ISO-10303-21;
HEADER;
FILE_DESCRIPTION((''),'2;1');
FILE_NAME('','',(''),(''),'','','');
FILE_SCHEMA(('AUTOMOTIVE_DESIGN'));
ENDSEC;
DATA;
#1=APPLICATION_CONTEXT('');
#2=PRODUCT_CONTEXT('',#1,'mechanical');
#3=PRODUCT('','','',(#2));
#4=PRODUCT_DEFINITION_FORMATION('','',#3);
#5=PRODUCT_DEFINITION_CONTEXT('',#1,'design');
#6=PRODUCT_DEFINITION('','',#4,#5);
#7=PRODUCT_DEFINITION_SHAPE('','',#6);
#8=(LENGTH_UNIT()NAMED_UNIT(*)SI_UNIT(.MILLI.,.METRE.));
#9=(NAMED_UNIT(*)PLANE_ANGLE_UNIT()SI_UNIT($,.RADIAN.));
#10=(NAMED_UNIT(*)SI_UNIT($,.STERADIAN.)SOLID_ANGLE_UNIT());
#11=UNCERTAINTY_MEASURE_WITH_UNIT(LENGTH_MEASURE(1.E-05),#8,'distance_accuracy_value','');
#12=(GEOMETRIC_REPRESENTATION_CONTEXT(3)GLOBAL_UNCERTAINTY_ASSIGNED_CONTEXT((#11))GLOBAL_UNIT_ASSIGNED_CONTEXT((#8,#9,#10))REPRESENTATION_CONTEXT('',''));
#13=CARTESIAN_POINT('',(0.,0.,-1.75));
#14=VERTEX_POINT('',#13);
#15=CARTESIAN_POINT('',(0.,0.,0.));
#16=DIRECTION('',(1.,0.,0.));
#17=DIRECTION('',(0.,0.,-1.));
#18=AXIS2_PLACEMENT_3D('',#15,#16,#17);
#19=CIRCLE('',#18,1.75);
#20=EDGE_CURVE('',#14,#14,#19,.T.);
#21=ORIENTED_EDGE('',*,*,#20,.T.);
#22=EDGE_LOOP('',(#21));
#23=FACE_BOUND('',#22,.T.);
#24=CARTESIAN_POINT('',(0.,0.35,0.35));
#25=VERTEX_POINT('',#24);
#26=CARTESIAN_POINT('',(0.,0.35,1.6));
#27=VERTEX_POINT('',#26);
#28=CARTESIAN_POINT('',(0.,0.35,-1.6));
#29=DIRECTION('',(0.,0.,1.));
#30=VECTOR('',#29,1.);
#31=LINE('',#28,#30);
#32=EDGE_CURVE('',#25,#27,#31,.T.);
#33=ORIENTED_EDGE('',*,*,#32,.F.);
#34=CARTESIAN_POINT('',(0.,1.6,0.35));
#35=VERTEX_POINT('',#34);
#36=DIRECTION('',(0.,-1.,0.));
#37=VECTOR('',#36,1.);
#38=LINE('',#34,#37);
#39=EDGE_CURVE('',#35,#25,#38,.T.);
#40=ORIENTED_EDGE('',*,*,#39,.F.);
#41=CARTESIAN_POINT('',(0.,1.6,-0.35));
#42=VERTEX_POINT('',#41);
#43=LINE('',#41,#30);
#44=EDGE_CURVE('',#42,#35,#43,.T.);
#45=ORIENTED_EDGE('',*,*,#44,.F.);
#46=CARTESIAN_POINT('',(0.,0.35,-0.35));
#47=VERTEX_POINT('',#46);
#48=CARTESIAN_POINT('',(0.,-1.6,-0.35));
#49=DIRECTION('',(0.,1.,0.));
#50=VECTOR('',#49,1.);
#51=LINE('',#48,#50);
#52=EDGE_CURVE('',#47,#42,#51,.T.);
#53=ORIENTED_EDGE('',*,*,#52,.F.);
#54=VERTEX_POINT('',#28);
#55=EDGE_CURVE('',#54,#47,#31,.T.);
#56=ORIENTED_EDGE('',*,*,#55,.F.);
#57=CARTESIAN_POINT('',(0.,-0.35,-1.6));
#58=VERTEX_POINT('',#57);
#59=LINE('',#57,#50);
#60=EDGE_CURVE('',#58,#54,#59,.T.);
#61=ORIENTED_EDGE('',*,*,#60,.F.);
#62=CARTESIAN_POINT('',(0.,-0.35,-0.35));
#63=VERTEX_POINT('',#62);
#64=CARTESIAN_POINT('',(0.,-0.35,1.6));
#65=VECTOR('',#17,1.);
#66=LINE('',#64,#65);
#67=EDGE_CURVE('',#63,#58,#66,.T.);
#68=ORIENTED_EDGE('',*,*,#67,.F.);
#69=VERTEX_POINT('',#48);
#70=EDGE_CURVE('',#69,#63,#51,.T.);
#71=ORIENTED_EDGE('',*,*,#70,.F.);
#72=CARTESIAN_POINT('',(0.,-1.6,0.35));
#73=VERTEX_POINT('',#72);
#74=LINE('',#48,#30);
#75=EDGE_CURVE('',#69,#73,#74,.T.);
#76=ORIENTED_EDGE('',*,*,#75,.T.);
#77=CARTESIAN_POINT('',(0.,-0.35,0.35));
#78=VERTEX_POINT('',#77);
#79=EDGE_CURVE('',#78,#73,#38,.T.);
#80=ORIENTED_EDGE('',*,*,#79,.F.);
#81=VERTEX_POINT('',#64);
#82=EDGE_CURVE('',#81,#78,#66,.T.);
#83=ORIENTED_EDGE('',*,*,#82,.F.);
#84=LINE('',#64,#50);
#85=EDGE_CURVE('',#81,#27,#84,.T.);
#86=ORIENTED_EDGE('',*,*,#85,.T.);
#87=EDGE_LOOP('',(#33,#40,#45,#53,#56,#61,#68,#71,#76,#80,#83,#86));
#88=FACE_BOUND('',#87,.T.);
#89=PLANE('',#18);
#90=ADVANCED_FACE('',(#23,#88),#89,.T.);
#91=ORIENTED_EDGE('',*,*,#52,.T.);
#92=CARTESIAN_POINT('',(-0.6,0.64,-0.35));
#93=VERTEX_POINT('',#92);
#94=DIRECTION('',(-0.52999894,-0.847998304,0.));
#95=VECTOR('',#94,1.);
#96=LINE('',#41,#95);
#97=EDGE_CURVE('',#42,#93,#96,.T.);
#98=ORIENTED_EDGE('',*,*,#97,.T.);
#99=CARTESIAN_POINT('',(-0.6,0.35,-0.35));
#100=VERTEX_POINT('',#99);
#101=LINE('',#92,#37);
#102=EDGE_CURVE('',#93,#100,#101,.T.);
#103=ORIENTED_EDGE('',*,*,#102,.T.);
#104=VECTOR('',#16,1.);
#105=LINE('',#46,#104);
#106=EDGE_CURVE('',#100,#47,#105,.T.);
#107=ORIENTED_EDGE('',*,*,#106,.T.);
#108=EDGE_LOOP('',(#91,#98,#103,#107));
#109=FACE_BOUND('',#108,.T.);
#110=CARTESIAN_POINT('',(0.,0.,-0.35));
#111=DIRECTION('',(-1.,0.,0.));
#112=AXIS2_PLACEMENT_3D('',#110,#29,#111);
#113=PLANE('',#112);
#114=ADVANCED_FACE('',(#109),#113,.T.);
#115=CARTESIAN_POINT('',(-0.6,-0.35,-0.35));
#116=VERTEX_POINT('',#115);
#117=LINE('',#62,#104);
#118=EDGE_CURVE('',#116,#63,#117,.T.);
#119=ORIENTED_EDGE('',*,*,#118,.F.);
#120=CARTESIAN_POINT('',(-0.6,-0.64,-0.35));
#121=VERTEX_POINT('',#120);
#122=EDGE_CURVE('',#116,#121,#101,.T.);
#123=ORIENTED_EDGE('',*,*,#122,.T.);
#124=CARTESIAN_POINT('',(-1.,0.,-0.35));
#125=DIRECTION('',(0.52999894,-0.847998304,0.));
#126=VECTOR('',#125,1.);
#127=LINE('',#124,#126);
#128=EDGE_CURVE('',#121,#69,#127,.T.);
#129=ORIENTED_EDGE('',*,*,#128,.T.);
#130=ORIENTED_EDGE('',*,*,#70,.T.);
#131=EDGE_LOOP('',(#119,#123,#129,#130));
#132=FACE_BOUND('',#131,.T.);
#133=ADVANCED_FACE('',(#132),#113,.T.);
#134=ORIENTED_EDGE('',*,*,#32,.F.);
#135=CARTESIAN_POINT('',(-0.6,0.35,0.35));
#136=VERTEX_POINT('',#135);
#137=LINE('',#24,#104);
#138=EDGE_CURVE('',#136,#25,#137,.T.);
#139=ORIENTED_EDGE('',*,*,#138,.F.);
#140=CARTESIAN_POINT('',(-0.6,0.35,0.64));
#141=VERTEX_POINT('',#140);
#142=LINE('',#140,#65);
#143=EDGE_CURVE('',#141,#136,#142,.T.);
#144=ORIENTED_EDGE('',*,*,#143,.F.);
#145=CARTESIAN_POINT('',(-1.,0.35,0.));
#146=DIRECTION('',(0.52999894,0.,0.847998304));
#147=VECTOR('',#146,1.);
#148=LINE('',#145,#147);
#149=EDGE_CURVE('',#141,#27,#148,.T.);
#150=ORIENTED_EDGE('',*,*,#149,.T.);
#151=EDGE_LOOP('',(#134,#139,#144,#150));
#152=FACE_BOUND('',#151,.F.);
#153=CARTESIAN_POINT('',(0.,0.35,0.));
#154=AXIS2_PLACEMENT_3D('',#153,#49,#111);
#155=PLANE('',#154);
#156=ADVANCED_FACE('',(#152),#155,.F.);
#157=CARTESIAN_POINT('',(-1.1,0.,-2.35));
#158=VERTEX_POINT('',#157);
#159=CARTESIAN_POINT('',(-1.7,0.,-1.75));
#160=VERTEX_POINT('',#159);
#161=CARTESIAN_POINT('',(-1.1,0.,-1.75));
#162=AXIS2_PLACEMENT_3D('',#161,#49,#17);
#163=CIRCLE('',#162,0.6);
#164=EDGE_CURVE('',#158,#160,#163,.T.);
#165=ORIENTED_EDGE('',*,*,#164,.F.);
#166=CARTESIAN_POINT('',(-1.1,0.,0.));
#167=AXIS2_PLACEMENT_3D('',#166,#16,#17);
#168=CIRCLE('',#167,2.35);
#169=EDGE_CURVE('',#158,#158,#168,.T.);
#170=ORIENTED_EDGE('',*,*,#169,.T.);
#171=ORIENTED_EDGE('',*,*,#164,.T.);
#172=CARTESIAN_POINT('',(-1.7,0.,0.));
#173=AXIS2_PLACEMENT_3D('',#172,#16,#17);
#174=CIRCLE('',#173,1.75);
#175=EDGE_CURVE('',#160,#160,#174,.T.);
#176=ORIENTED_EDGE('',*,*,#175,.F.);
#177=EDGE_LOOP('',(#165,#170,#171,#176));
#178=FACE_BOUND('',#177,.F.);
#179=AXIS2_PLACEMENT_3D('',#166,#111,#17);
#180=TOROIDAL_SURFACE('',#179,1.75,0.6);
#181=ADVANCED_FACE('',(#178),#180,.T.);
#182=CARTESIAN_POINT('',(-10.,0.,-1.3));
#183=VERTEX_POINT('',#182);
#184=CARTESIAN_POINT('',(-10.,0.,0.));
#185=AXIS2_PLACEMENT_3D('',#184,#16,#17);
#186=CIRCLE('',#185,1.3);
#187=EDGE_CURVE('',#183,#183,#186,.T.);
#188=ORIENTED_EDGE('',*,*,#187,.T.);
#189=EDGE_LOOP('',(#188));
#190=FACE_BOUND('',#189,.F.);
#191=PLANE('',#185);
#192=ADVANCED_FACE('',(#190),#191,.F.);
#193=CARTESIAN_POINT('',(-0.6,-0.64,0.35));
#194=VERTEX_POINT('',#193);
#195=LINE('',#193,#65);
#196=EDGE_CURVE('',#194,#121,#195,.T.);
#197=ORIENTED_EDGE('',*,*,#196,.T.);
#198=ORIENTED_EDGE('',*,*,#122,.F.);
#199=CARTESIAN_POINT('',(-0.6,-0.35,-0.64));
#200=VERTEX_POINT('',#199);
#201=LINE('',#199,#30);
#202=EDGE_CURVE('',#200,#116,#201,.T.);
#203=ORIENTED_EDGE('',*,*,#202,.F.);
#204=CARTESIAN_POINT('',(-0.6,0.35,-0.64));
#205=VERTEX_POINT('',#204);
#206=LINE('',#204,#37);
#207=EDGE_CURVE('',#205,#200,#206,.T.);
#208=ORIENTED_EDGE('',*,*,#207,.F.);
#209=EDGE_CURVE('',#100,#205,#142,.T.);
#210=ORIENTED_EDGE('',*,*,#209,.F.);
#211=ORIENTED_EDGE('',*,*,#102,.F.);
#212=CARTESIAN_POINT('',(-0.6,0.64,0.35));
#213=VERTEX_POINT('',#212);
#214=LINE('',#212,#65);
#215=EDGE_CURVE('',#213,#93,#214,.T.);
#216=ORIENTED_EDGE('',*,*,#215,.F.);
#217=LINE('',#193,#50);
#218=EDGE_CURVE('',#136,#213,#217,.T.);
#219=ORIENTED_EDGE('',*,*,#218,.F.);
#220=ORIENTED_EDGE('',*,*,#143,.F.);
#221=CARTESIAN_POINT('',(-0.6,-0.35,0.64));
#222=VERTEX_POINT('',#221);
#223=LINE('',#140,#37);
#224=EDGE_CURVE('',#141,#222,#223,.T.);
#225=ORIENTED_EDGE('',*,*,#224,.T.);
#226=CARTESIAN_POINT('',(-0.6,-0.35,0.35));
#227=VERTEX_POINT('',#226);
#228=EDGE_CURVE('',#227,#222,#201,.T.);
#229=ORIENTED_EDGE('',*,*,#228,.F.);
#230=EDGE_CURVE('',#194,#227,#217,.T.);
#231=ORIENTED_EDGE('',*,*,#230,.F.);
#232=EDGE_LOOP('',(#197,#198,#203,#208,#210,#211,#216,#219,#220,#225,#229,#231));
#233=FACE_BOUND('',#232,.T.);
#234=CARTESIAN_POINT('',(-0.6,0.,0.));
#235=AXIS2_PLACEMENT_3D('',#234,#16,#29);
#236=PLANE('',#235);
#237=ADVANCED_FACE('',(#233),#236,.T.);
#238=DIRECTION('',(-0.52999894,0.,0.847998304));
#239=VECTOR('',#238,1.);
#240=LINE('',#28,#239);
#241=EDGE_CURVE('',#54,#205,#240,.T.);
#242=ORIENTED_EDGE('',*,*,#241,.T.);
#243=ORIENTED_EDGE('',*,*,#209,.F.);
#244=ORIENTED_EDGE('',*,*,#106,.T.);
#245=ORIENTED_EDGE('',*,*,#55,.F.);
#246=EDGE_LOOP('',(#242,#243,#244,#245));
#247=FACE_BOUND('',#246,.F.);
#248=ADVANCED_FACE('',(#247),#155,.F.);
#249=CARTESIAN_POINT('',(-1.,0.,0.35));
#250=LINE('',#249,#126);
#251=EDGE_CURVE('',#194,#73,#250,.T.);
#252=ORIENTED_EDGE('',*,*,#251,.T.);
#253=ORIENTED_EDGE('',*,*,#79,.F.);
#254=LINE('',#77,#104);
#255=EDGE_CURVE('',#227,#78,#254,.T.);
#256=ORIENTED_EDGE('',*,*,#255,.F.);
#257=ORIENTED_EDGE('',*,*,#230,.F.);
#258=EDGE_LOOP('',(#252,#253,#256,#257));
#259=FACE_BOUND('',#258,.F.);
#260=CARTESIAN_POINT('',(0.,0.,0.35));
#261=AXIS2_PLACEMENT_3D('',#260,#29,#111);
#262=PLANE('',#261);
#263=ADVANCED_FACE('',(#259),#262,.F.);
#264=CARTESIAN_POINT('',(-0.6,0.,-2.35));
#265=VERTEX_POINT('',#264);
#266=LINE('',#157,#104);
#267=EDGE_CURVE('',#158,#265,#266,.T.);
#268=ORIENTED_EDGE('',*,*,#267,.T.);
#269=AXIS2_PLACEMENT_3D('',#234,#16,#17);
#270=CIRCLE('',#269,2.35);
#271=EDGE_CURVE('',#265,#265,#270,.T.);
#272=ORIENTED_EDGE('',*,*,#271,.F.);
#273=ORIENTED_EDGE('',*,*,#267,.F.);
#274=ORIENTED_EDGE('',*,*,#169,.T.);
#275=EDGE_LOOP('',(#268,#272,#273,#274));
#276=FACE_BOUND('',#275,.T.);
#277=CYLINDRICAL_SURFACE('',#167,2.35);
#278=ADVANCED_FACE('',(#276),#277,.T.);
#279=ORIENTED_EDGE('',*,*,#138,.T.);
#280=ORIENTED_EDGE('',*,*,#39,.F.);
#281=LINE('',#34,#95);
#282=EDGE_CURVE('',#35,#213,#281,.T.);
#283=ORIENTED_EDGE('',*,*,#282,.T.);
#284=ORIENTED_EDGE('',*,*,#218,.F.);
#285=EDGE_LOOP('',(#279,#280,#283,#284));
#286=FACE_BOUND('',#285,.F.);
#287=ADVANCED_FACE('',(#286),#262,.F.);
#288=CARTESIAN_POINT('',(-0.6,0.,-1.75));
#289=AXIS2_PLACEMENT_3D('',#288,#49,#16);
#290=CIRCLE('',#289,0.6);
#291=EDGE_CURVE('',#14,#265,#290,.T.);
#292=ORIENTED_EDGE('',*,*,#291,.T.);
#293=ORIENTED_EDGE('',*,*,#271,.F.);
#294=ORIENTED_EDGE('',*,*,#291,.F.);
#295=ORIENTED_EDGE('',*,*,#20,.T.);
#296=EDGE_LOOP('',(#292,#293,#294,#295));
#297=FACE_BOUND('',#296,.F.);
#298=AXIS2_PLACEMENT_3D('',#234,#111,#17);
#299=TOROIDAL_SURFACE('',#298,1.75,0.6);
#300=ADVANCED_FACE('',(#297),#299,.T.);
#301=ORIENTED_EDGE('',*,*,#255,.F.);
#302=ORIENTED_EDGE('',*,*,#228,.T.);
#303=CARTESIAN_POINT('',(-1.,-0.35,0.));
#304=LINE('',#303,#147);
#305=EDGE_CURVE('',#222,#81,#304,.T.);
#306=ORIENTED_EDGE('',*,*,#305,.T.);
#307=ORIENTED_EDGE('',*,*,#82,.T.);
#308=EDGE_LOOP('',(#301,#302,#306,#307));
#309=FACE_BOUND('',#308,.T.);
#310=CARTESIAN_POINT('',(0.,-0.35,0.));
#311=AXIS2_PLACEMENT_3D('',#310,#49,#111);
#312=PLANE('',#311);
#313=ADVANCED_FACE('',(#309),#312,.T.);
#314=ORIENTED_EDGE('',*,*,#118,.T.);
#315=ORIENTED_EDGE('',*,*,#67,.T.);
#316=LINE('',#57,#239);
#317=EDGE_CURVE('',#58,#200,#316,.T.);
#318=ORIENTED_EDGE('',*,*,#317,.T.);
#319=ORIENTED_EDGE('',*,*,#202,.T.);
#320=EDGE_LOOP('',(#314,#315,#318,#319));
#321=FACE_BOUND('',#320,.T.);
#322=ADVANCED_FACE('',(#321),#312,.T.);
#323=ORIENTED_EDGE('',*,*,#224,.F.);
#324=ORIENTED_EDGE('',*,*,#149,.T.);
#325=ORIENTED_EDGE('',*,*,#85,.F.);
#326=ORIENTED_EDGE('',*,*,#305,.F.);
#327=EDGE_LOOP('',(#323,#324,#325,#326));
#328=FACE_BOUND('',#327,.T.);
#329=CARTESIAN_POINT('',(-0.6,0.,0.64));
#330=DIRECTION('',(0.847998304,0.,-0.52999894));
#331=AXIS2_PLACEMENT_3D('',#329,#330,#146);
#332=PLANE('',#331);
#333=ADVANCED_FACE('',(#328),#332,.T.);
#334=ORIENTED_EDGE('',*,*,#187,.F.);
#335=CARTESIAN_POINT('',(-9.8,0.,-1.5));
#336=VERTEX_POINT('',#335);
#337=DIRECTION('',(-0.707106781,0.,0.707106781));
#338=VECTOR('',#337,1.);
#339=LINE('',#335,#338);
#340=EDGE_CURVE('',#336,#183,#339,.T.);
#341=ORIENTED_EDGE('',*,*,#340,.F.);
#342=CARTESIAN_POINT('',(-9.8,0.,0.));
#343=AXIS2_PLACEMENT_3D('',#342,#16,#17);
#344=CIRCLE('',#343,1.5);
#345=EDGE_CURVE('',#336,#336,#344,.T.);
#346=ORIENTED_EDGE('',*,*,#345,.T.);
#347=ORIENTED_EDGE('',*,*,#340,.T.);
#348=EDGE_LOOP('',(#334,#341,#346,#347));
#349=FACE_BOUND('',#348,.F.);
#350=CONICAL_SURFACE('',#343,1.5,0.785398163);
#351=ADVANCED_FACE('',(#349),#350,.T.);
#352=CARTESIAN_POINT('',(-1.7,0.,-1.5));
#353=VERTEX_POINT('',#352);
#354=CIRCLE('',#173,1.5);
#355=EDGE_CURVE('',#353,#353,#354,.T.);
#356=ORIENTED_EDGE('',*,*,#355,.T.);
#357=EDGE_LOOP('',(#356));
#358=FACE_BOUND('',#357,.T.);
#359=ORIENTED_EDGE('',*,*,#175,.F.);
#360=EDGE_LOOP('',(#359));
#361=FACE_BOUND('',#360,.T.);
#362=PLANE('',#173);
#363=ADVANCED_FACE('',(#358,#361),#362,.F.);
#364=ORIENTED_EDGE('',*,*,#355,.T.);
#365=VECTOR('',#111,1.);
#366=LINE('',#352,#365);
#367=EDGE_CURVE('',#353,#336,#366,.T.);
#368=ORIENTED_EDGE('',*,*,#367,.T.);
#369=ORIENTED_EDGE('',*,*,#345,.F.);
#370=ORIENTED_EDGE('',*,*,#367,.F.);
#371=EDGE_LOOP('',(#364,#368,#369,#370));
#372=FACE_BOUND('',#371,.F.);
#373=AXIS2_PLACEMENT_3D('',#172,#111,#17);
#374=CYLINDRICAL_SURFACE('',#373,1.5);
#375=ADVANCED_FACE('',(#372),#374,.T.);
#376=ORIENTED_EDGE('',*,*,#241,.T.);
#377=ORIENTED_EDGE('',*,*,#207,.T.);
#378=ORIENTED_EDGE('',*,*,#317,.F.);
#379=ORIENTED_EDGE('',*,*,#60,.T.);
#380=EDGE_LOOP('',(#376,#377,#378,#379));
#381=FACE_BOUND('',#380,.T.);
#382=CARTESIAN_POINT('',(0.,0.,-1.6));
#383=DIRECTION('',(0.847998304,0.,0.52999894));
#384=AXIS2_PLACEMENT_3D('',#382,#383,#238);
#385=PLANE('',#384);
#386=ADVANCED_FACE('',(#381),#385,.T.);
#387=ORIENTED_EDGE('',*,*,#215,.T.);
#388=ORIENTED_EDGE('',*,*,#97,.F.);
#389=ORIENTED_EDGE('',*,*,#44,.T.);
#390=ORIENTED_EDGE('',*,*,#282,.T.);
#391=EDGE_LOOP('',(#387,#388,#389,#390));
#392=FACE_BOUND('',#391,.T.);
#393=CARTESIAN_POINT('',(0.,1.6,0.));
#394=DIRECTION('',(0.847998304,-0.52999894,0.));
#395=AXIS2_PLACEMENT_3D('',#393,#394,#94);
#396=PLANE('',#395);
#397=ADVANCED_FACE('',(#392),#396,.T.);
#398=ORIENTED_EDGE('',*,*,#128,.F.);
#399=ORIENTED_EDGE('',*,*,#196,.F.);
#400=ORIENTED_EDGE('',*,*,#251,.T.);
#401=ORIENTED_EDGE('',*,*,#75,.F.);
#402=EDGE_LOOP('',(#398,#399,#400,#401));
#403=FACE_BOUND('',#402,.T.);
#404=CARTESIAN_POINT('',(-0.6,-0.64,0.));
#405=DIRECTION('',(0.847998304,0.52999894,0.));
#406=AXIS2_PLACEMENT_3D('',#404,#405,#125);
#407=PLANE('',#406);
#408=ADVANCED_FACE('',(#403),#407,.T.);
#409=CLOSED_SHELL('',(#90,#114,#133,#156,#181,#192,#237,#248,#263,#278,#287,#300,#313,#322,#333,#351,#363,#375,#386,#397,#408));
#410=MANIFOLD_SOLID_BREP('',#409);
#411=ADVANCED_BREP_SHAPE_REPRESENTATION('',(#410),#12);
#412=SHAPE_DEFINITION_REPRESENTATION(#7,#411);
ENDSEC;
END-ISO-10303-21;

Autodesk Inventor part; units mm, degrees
ref_plane "YZ Plane" through (0, 0, 0) normal (1, 0, 0) x (0, 1, 0)
ref_plane "XZ Plane" through (0, 0, 0) normal (0, 1, 0) x (-1, 0, 0)
ref_plane "XY Plane" through (0, 0, 0) normal (0, 0, 1) x (1, 0, 0)
sketch "Sketch1" plane through (0, 0, 0) normal (0, 1, 0) x (-1, 0, 0)
  line L0 (0, 0) -> (1.7, 0)
  line L1 (1.7, 0) -> (1.7, -1.75)
  line L2 (1.1, -2.35) -> (0.6, -2.35)
  line L3 (0, -1.75) -> (0, 0)
  line L4 (1.7, -1.5) -> (10, -1.5)
  line L5 (10, -1.5) -> (10, 0)
  line L6 (10, 0) -> (1.7, 0)
  line L7 (1.7, 0) -> (1.7, -1.5)
  line L8 (1.7, 0) -> (1.7, 2.35)
  line L9 (1.7, 2.35) -> (0, 2.35)
  line L10 (0, 2.35) -> (0, 0)
  line L11 (1.7, 1.5) -> (10, 1.5)
  line L12 (10, 1.5) -> (10, 0)
  arc A0 (1.1, -2.35) -> (1.7, -1.75) centre (1.1, -1.75) ccw
  arc A1 (0, -1.75) -> (0.6, -2.35) centre (0.6, -1.75) ccw
  point P0 (1.7, -2.35)
  point P1 (0, -2.35)
  dimension "d1" = 3
  dimension "d2" = 4.7
  dimension "d3" = 1.7
  dimension "d4" = 10
  dimension "d6" = 0.6
  dimension "d7" = 0.6
revolve "Revolution1" add sketch "Sketch1" angle 360 about axis through (-10, 0, 0) along (1, 0, 0) contours L0 L1 A0 L2 A1 L3 | L6 L5 L4 L1
chamfer "Chamfer1" distance 0.2 angle 45 1 edges at (-10, 0, 1.5)
sketch "Sketch3" plane through (0, 0, 0) normal (0, 1, 0) x (-1, 0, 0)
  line L0 (0.6, 2.35) -> (0.6, -2.35) construction
  line L1 (0, 1.75) -> (0, -1.75) projected
  line L2 (0, -1.6) -> (1, 0)
  line L3 (1, 0) -> (0, 0)
  line L4 (1, 0) -> (0, 1.6)
  line L5 (0.6, -0.64) -> (0.6, 0.64)
  dimension "d11" = 3.2
  dimension "d12" = 1
  dimension "d18" = 0.6
extrude "Extrusion1" cut sketch "Sketch3" along normal mid plane 0.7 contours L4 L5 L3 L1 | L3 L5 L2 L1
pattern_circular "Circular Pattern1" count 2 over 90 about axis through (-0.85, 0, 0) along (1, 0, 0) of "Extrusion1"
equation "\"d6\" = d7"
properties part number "screw"
